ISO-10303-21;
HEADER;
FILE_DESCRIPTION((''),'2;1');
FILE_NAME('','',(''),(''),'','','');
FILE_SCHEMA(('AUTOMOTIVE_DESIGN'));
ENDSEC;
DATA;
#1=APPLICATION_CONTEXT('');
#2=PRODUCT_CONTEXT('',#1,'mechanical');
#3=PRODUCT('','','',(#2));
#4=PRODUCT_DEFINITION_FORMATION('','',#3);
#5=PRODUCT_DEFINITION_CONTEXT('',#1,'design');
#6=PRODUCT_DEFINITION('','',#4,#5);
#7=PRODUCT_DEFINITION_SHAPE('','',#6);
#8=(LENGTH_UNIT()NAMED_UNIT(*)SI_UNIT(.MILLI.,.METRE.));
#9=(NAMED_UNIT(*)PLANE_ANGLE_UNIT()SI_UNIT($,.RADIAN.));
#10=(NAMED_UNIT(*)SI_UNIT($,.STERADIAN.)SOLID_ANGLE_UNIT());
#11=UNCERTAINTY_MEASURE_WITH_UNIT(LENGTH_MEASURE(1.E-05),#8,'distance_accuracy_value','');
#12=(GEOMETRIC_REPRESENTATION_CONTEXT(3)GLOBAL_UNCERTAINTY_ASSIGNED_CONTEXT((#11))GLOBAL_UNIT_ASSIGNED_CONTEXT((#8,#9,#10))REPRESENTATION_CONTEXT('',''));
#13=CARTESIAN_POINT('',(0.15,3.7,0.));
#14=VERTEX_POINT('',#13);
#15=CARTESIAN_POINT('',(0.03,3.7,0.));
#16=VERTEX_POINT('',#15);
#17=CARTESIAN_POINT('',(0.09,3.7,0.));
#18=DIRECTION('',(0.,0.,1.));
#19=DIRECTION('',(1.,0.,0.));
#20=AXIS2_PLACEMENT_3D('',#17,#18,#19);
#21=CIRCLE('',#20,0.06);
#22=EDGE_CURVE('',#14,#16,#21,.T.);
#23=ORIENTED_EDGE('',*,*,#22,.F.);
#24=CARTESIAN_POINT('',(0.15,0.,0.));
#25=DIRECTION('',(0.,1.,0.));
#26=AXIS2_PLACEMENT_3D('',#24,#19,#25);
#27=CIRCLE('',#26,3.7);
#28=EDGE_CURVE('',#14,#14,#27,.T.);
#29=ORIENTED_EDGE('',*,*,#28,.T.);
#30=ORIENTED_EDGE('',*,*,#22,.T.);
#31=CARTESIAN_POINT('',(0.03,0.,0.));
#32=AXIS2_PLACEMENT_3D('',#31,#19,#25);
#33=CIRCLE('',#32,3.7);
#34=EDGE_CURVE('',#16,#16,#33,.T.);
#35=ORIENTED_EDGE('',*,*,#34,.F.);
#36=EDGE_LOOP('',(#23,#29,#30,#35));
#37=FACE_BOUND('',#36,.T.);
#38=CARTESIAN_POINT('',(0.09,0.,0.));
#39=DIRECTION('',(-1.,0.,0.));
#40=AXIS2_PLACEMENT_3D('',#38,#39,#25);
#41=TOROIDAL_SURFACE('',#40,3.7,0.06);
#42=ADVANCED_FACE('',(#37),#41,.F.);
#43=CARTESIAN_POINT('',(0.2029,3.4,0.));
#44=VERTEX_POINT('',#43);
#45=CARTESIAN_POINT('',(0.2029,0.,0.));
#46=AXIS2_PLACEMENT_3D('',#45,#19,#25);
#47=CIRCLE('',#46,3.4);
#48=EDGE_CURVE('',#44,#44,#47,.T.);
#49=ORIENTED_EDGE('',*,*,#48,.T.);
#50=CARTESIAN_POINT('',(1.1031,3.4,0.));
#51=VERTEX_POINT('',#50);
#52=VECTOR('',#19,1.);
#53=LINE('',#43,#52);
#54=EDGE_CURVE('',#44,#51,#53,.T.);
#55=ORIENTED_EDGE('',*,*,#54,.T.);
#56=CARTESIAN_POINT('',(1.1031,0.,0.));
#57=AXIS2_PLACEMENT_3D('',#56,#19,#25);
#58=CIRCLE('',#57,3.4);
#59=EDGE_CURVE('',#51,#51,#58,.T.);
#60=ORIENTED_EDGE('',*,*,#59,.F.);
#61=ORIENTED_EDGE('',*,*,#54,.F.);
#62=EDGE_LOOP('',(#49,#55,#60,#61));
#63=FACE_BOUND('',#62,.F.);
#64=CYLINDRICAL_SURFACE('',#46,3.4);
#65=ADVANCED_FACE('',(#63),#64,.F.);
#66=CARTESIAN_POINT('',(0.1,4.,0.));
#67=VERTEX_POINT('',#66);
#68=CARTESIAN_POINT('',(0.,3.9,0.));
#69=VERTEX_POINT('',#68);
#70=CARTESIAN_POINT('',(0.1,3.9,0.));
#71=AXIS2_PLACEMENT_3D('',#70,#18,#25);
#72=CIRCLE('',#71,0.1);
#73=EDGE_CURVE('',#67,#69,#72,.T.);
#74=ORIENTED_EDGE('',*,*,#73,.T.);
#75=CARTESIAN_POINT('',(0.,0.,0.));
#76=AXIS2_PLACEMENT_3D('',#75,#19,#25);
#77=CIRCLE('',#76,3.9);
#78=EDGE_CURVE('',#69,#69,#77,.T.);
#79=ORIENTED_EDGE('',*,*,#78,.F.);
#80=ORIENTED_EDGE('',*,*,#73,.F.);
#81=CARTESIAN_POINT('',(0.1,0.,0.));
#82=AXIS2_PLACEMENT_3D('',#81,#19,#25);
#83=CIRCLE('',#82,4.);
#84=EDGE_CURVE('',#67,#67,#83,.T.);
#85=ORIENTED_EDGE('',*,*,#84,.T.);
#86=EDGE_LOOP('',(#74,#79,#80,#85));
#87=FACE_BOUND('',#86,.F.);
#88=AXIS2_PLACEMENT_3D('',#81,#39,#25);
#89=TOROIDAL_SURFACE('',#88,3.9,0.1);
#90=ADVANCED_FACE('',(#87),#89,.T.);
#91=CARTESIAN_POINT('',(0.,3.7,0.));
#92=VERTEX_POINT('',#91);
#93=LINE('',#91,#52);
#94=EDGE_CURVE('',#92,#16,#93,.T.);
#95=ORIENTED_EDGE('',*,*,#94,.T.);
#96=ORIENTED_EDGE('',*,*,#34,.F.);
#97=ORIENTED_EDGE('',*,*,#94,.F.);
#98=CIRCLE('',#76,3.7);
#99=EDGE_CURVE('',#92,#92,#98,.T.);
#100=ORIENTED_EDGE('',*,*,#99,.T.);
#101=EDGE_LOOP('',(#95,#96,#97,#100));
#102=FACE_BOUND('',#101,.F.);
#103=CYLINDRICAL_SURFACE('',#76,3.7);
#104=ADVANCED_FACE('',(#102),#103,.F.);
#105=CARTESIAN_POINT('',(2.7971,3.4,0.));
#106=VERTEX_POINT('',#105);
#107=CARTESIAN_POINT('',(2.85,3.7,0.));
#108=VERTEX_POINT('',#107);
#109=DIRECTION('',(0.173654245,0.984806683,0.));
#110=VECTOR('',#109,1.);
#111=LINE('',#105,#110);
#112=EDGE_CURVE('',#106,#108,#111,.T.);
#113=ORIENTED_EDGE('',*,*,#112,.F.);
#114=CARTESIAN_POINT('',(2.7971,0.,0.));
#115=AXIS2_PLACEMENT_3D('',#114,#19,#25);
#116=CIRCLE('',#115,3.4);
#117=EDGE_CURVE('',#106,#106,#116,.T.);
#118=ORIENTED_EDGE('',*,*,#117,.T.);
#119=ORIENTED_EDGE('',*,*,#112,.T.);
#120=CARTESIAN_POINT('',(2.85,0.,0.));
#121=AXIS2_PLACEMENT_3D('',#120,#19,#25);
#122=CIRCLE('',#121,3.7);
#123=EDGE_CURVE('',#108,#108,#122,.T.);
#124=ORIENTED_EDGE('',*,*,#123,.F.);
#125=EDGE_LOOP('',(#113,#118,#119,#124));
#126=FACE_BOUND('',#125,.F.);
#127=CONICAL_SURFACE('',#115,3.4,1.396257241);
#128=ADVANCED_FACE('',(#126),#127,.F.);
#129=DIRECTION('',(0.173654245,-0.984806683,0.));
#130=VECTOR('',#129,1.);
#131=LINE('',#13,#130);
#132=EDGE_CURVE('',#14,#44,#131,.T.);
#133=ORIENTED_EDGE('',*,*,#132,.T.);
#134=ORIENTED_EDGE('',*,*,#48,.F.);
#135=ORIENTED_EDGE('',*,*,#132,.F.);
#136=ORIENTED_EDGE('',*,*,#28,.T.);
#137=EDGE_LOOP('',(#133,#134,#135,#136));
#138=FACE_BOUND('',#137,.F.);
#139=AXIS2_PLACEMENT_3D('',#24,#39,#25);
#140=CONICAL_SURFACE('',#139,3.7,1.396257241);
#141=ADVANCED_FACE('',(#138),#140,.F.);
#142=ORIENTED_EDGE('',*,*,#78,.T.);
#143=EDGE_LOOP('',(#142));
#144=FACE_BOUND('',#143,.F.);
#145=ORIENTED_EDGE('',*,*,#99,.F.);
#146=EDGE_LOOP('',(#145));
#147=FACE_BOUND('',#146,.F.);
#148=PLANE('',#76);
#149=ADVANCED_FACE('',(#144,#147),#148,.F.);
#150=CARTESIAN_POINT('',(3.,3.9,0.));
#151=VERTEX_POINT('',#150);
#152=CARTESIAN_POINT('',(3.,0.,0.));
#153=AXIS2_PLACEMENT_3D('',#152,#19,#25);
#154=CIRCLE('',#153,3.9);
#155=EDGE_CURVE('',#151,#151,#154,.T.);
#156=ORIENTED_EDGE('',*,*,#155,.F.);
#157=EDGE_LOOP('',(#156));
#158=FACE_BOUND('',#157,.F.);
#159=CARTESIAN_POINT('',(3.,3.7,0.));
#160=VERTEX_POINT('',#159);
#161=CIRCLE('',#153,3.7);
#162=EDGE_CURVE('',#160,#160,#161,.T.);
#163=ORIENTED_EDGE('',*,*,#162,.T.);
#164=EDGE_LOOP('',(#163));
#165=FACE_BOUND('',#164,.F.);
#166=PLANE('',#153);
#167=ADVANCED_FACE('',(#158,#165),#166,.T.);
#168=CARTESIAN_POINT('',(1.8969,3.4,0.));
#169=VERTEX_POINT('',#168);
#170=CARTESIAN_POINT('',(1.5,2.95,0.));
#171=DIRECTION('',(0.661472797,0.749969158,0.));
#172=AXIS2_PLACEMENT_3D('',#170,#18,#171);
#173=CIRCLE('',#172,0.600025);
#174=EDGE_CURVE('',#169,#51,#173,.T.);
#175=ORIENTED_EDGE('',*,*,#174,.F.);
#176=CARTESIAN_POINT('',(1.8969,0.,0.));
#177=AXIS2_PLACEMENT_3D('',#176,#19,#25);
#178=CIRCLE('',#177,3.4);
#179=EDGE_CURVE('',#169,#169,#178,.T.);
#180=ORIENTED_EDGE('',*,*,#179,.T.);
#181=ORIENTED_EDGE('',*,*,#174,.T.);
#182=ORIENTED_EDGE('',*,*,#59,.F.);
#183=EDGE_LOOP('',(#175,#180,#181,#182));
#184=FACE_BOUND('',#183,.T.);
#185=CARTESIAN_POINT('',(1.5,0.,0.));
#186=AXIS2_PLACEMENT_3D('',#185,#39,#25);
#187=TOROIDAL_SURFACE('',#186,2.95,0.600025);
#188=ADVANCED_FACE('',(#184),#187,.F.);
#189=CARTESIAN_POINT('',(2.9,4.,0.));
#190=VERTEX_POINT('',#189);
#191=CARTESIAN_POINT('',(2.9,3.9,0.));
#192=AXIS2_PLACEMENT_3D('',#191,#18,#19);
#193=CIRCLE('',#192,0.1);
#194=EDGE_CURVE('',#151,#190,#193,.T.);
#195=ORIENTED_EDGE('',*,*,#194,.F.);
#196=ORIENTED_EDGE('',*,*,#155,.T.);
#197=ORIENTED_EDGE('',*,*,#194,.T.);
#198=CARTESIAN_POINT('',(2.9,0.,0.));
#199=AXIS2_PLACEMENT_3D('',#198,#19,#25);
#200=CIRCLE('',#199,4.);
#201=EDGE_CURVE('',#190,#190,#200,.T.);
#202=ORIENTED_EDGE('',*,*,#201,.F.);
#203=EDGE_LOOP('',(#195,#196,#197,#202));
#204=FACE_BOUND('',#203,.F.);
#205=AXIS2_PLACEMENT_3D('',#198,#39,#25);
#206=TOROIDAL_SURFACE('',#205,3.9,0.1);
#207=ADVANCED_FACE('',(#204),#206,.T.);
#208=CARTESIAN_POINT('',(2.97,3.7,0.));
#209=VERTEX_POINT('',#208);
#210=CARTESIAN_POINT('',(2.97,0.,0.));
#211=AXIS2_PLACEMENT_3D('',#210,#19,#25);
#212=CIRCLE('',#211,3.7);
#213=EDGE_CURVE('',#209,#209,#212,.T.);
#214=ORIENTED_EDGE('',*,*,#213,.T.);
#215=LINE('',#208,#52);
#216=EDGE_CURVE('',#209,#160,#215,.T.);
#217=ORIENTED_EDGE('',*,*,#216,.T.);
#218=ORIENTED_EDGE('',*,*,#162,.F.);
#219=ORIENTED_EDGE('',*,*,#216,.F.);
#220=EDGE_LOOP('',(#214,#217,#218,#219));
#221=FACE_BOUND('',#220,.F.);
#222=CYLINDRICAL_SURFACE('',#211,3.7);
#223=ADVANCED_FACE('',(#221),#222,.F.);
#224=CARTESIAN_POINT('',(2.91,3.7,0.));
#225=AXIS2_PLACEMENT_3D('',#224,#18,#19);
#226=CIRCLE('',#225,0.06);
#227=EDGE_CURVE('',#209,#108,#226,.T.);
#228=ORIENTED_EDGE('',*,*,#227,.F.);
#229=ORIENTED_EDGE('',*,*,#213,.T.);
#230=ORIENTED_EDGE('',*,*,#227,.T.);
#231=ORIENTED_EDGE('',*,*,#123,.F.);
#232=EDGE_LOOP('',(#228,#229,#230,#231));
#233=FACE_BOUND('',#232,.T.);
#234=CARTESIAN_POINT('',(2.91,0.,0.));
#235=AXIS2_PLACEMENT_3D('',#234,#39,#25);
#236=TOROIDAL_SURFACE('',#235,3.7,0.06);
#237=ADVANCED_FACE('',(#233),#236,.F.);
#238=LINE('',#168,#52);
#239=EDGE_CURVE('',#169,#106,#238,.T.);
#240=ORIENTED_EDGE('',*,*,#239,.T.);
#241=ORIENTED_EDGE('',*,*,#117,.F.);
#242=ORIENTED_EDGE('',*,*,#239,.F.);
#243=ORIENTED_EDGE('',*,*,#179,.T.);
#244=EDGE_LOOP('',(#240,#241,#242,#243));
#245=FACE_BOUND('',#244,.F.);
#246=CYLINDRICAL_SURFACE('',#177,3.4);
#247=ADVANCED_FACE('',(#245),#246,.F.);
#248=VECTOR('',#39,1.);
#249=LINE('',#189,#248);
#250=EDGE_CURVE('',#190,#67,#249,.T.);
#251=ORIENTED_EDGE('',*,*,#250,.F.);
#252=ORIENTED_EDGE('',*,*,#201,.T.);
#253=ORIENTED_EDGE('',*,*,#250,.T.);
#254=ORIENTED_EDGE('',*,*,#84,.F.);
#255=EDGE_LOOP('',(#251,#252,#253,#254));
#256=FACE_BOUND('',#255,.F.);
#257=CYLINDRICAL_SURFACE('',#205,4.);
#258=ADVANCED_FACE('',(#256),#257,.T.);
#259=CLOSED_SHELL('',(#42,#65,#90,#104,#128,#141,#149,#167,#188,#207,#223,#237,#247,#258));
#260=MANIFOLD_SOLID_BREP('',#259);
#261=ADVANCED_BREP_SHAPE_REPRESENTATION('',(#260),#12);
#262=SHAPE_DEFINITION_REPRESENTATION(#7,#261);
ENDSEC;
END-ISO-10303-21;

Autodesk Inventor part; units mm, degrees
ref_plane "YZ Plane" through (0, 0, 0) normal (1, 0, 0) x (0, 1, 0)
ref_plane "XZ Plane" through (0, 0, 0) normal (0, 1, 0) x (-1, 0, 0)
ref_plane "XY Plane" through (0, 0, 0) normal (0, 0, 1) x (1, 0, 0)
sketch "Sketch_17" plane through (0, 0, 0) normal (0, 0, 1) x (1, 0, 0)
  line L0 (50, 0) -> (-50, 0)
  line L1 (0, 3.9) -> (0, 3.7)
  line L2 (0, 3.7) -> (0.03, 3.7)
  arc A0 (0.15, 3.7) -> (0.03, 3.7) centre (0.09, 3.7) ccw
  line L3 (0.15, 3.7) -> (0.2029, 3.4)
  line L4 (0.2029, 3.4) -> (1.1031, 3.4)
  arc A1 (1.8969, 3.4) -> (1.1031, 3.4) centre (1.5, 2.95) ccw
  line L5 (1.8969, 3.4) -> (2.7971, 3.4)
  line L6 (2.7971, 3.4) -> (2.85, 3.7)
  arc A2 (2.97, 3.7) -> (2.85, 3.7) centre (2.91, 3.7) ccw
  line L7 (2.97, 3.7) -> (3, 3.7)
  line L8 (3, 3.7) -> (3, 3.9)
  arc A3 (3, 3.9) -> (2.9, 4) centre (2.9, 3.9) ccw
  line L9 (2.9, 4) -> (0.1, 4)
  arc A4 (0.1, 4) -> (0, 3.9) centre (0.1, 3.9) ccw
revolve "Revolution1" add sketch "Sketch_17" angle 360 about axis through (50, 0, 0) along (1, 0, 0)
properties part number "SKF_W 619/3-2Z_PART2"
